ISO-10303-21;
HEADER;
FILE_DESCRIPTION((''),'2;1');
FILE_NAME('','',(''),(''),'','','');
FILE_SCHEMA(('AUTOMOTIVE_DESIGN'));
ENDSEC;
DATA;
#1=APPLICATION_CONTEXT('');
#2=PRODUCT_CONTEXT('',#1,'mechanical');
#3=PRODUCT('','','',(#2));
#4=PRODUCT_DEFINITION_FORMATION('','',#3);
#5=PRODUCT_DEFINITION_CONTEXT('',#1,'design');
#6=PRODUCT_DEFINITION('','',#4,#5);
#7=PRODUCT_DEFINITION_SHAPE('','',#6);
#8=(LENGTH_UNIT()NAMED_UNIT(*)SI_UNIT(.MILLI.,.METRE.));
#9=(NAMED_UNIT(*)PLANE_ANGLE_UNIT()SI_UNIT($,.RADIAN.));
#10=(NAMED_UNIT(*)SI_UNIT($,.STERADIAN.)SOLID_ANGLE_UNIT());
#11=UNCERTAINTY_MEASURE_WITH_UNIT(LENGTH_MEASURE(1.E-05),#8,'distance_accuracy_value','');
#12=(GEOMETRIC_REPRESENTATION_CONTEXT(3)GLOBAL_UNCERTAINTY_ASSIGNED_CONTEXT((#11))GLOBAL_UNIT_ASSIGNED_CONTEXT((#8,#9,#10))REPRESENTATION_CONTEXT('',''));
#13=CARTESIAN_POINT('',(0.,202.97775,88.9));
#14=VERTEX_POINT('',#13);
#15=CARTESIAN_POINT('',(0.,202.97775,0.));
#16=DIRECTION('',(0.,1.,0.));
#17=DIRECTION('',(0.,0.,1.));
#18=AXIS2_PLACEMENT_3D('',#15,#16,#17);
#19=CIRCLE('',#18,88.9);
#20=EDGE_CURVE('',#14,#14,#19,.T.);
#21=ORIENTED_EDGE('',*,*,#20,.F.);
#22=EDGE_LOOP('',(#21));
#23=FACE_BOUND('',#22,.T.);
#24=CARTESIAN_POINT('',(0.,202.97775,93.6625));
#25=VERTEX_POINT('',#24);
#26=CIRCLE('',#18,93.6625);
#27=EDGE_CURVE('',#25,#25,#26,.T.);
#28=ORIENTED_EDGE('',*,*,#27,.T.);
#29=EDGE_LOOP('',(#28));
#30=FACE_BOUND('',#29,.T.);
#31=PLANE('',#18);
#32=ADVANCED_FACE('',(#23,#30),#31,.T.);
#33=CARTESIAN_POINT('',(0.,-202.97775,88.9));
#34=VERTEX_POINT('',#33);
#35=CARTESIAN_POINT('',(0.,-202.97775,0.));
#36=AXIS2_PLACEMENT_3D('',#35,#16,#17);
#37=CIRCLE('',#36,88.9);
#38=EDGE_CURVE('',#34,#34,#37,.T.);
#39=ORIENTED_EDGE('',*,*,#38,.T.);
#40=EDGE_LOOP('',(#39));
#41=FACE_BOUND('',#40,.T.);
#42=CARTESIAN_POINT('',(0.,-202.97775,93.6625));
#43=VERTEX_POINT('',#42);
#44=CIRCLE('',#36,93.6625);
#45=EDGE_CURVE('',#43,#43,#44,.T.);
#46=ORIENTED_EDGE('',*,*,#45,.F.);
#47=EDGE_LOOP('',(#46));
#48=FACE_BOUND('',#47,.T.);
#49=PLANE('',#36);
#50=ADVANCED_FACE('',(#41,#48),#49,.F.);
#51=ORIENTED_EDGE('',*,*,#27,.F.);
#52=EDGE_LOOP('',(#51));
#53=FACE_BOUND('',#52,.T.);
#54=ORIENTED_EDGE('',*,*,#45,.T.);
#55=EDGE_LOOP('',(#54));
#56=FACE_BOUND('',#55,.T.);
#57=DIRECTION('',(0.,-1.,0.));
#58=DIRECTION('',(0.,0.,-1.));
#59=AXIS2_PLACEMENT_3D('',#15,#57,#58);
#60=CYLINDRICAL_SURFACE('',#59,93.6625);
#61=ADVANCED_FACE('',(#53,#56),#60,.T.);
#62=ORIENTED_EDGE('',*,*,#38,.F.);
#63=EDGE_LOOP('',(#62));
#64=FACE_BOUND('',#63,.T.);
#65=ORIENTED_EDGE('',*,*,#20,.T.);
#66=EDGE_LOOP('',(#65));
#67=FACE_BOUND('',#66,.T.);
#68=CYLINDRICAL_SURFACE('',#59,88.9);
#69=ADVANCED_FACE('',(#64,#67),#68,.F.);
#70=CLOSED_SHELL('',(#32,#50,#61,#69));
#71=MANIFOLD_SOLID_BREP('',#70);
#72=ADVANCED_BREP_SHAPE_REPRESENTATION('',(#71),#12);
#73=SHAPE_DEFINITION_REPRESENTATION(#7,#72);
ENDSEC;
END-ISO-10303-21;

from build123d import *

# Parameters (mm, degrees)
SKETCH1_R           = 93.6625
SKETCH1_R_2         = 88.9
BOSS_EXTRUDE1_DEPTH = 202.97775


with BuildPart() as part:
    # Sketch1 → Boss-Extrude1 (new body, symmetric)
    with BuildSketch(Plane(origin=(0, 0, 0), x_dir=(1, 0, 0), z_dir=(0, 1, 0))):
        Circle(SKETCH1_R)
        Circle(SKETCH1_R_2, mode=Mode.SUBTRACT)
    extrude(amount=BOSS_EXTRUDE1_DEPTH, both=True)


solid = part.part
